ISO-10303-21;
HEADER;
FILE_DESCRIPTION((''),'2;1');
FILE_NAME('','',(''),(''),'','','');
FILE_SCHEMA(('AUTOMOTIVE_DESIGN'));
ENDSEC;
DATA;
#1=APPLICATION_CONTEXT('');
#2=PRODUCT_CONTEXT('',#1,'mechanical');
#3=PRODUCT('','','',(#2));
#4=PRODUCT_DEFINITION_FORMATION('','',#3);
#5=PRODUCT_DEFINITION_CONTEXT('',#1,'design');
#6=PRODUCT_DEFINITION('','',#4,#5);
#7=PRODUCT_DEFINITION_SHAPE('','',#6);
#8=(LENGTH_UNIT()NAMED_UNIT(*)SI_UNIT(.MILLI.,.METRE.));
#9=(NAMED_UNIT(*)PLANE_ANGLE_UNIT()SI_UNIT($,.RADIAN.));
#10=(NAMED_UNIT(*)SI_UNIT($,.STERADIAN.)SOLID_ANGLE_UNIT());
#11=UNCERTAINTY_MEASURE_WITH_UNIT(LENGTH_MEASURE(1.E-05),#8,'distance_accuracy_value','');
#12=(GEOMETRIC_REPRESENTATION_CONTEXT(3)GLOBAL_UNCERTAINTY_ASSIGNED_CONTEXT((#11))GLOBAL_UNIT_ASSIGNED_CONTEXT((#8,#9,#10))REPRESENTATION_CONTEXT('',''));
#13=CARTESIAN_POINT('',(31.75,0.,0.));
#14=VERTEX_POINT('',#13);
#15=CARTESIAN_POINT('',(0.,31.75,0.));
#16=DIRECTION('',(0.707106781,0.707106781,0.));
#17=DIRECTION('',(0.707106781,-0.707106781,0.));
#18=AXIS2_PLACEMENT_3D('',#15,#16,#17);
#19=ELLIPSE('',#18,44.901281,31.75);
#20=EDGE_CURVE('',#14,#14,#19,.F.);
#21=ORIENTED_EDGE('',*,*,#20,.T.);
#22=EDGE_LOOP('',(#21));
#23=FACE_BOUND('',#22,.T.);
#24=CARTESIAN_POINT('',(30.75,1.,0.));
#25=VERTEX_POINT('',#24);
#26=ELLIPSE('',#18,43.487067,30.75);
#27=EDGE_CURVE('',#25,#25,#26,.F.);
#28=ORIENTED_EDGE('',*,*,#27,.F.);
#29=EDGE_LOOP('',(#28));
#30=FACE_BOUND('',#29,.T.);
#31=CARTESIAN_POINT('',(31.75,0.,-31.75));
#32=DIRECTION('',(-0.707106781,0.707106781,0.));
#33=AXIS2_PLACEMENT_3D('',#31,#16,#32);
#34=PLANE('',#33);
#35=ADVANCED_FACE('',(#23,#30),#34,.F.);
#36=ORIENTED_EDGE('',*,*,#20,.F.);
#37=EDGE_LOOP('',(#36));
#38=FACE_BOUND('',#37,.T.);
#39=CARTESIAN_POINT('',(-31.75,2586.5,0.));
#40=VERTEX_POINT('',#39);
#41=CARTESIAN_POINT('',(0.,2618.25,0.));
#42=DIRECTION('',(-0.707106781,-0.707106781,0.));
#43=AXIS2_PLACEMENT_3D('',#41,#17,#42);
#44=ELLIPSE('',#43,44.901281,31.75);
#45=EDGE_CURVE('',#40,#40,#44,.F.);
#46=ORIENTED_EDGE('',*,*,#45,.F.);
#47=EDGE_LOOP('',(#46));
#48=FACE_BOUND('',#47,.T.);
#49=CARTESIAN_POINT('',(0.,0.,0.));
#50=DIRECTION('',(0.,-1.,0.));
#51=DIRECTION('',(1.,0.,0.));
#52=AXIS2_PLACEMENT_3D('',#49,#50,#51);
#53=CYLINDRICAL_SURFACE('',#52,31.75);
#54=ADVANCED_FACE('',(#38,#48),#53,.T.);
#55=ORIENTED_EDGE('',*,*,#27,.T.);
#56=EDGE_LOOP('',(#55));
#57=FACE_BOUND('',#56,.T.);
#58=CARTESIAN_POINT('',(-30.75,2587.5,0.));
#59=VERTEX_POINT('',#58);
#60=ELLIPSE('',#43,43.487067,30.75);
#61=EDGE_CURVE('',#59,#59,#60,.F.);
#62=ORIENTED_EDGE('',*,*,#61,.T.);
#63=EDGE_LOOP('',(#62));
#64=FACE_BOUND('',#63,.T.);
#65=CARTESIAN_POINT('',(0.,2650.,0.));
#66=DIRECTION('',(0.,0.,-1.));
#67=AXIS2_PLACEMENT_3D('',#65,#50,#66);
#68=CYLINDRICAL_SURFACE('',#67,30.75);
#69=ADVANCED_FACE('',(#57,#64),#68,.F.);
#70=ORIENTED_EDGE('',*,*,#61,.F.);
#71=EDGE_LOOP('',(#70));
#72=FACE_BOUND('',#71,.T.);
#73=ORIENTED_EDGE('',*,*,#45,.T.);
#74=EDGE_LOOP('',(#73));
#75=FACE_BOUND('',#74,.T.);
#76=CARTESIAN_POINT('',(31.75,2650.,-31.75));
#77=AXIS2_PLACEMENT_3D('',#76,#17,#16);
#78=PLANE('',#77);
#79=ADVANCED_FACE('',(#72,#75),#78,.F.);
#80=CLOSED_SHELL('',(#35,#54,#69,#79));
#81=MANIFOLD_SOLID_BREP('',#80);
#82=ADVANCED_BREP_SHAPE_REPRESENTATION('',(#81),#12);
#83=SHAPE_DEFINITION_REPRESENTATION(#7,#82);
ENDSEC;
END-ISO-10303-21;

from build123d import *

# Parameters (mm, degrees)
ESBO_O2_W                  = 31.75
ESBO_O2_H                  = 2650
CORTE_EXTRUS_O1_DEPTH      = 2651.380373645
CORTE_EXTRUS_O1_DEPTH_BACK = 2651.380373645
ESBO_O9_R                  = 30.75
CORTE_EXTRUS_O6_DEPTH      = 2651.380373645


with BuildPart() as part:
    # Esboço2 → Revolução2 (revolve)
    with BuildSketch(Plane.XY):
        with Locations((15.875, 1325)):
            Rectangle(ESBO_O2_W, ESBO_O2_H)
    revolve(axis=Axis((0, 0, 0), (0, 1, 0)))

    # Esboço3 → Corte-extrusão1 (cut, two sides: drawn at the far end of the back side and taken through both)
    with BuildSketch(Plane.XY.offset(-CORTE_EXTRUS_O1_DEPTH_BACK)):
        Polygon((-31.75, 2650), (31.75, 2650), (-31.75, 2586.5), align=None)
        Polygon((31.75, 0), (-31.75, 63.5), (-31.75, 0), align=None)
    extrude(amount=CORTE_EXTRUS_O1_DEPTH + CORTE_EXTRUS_O1_DEPTH_BACK, mode=Mode.SUBTRACT)

    # Esboço9 → Corte-extrusão6 (cut, through all)
    with BuildSketch(Plane(origin=(0, 0, 0), x_dir=(1, 0, 0), z_dir=(0, 1, 0))):
        Circle(ESBO_O9_R)
    extrude(amount=CORTE_EXTRUS_O6_DEPTH, mode=Mode.SUBTRACT)


solid = part.part
